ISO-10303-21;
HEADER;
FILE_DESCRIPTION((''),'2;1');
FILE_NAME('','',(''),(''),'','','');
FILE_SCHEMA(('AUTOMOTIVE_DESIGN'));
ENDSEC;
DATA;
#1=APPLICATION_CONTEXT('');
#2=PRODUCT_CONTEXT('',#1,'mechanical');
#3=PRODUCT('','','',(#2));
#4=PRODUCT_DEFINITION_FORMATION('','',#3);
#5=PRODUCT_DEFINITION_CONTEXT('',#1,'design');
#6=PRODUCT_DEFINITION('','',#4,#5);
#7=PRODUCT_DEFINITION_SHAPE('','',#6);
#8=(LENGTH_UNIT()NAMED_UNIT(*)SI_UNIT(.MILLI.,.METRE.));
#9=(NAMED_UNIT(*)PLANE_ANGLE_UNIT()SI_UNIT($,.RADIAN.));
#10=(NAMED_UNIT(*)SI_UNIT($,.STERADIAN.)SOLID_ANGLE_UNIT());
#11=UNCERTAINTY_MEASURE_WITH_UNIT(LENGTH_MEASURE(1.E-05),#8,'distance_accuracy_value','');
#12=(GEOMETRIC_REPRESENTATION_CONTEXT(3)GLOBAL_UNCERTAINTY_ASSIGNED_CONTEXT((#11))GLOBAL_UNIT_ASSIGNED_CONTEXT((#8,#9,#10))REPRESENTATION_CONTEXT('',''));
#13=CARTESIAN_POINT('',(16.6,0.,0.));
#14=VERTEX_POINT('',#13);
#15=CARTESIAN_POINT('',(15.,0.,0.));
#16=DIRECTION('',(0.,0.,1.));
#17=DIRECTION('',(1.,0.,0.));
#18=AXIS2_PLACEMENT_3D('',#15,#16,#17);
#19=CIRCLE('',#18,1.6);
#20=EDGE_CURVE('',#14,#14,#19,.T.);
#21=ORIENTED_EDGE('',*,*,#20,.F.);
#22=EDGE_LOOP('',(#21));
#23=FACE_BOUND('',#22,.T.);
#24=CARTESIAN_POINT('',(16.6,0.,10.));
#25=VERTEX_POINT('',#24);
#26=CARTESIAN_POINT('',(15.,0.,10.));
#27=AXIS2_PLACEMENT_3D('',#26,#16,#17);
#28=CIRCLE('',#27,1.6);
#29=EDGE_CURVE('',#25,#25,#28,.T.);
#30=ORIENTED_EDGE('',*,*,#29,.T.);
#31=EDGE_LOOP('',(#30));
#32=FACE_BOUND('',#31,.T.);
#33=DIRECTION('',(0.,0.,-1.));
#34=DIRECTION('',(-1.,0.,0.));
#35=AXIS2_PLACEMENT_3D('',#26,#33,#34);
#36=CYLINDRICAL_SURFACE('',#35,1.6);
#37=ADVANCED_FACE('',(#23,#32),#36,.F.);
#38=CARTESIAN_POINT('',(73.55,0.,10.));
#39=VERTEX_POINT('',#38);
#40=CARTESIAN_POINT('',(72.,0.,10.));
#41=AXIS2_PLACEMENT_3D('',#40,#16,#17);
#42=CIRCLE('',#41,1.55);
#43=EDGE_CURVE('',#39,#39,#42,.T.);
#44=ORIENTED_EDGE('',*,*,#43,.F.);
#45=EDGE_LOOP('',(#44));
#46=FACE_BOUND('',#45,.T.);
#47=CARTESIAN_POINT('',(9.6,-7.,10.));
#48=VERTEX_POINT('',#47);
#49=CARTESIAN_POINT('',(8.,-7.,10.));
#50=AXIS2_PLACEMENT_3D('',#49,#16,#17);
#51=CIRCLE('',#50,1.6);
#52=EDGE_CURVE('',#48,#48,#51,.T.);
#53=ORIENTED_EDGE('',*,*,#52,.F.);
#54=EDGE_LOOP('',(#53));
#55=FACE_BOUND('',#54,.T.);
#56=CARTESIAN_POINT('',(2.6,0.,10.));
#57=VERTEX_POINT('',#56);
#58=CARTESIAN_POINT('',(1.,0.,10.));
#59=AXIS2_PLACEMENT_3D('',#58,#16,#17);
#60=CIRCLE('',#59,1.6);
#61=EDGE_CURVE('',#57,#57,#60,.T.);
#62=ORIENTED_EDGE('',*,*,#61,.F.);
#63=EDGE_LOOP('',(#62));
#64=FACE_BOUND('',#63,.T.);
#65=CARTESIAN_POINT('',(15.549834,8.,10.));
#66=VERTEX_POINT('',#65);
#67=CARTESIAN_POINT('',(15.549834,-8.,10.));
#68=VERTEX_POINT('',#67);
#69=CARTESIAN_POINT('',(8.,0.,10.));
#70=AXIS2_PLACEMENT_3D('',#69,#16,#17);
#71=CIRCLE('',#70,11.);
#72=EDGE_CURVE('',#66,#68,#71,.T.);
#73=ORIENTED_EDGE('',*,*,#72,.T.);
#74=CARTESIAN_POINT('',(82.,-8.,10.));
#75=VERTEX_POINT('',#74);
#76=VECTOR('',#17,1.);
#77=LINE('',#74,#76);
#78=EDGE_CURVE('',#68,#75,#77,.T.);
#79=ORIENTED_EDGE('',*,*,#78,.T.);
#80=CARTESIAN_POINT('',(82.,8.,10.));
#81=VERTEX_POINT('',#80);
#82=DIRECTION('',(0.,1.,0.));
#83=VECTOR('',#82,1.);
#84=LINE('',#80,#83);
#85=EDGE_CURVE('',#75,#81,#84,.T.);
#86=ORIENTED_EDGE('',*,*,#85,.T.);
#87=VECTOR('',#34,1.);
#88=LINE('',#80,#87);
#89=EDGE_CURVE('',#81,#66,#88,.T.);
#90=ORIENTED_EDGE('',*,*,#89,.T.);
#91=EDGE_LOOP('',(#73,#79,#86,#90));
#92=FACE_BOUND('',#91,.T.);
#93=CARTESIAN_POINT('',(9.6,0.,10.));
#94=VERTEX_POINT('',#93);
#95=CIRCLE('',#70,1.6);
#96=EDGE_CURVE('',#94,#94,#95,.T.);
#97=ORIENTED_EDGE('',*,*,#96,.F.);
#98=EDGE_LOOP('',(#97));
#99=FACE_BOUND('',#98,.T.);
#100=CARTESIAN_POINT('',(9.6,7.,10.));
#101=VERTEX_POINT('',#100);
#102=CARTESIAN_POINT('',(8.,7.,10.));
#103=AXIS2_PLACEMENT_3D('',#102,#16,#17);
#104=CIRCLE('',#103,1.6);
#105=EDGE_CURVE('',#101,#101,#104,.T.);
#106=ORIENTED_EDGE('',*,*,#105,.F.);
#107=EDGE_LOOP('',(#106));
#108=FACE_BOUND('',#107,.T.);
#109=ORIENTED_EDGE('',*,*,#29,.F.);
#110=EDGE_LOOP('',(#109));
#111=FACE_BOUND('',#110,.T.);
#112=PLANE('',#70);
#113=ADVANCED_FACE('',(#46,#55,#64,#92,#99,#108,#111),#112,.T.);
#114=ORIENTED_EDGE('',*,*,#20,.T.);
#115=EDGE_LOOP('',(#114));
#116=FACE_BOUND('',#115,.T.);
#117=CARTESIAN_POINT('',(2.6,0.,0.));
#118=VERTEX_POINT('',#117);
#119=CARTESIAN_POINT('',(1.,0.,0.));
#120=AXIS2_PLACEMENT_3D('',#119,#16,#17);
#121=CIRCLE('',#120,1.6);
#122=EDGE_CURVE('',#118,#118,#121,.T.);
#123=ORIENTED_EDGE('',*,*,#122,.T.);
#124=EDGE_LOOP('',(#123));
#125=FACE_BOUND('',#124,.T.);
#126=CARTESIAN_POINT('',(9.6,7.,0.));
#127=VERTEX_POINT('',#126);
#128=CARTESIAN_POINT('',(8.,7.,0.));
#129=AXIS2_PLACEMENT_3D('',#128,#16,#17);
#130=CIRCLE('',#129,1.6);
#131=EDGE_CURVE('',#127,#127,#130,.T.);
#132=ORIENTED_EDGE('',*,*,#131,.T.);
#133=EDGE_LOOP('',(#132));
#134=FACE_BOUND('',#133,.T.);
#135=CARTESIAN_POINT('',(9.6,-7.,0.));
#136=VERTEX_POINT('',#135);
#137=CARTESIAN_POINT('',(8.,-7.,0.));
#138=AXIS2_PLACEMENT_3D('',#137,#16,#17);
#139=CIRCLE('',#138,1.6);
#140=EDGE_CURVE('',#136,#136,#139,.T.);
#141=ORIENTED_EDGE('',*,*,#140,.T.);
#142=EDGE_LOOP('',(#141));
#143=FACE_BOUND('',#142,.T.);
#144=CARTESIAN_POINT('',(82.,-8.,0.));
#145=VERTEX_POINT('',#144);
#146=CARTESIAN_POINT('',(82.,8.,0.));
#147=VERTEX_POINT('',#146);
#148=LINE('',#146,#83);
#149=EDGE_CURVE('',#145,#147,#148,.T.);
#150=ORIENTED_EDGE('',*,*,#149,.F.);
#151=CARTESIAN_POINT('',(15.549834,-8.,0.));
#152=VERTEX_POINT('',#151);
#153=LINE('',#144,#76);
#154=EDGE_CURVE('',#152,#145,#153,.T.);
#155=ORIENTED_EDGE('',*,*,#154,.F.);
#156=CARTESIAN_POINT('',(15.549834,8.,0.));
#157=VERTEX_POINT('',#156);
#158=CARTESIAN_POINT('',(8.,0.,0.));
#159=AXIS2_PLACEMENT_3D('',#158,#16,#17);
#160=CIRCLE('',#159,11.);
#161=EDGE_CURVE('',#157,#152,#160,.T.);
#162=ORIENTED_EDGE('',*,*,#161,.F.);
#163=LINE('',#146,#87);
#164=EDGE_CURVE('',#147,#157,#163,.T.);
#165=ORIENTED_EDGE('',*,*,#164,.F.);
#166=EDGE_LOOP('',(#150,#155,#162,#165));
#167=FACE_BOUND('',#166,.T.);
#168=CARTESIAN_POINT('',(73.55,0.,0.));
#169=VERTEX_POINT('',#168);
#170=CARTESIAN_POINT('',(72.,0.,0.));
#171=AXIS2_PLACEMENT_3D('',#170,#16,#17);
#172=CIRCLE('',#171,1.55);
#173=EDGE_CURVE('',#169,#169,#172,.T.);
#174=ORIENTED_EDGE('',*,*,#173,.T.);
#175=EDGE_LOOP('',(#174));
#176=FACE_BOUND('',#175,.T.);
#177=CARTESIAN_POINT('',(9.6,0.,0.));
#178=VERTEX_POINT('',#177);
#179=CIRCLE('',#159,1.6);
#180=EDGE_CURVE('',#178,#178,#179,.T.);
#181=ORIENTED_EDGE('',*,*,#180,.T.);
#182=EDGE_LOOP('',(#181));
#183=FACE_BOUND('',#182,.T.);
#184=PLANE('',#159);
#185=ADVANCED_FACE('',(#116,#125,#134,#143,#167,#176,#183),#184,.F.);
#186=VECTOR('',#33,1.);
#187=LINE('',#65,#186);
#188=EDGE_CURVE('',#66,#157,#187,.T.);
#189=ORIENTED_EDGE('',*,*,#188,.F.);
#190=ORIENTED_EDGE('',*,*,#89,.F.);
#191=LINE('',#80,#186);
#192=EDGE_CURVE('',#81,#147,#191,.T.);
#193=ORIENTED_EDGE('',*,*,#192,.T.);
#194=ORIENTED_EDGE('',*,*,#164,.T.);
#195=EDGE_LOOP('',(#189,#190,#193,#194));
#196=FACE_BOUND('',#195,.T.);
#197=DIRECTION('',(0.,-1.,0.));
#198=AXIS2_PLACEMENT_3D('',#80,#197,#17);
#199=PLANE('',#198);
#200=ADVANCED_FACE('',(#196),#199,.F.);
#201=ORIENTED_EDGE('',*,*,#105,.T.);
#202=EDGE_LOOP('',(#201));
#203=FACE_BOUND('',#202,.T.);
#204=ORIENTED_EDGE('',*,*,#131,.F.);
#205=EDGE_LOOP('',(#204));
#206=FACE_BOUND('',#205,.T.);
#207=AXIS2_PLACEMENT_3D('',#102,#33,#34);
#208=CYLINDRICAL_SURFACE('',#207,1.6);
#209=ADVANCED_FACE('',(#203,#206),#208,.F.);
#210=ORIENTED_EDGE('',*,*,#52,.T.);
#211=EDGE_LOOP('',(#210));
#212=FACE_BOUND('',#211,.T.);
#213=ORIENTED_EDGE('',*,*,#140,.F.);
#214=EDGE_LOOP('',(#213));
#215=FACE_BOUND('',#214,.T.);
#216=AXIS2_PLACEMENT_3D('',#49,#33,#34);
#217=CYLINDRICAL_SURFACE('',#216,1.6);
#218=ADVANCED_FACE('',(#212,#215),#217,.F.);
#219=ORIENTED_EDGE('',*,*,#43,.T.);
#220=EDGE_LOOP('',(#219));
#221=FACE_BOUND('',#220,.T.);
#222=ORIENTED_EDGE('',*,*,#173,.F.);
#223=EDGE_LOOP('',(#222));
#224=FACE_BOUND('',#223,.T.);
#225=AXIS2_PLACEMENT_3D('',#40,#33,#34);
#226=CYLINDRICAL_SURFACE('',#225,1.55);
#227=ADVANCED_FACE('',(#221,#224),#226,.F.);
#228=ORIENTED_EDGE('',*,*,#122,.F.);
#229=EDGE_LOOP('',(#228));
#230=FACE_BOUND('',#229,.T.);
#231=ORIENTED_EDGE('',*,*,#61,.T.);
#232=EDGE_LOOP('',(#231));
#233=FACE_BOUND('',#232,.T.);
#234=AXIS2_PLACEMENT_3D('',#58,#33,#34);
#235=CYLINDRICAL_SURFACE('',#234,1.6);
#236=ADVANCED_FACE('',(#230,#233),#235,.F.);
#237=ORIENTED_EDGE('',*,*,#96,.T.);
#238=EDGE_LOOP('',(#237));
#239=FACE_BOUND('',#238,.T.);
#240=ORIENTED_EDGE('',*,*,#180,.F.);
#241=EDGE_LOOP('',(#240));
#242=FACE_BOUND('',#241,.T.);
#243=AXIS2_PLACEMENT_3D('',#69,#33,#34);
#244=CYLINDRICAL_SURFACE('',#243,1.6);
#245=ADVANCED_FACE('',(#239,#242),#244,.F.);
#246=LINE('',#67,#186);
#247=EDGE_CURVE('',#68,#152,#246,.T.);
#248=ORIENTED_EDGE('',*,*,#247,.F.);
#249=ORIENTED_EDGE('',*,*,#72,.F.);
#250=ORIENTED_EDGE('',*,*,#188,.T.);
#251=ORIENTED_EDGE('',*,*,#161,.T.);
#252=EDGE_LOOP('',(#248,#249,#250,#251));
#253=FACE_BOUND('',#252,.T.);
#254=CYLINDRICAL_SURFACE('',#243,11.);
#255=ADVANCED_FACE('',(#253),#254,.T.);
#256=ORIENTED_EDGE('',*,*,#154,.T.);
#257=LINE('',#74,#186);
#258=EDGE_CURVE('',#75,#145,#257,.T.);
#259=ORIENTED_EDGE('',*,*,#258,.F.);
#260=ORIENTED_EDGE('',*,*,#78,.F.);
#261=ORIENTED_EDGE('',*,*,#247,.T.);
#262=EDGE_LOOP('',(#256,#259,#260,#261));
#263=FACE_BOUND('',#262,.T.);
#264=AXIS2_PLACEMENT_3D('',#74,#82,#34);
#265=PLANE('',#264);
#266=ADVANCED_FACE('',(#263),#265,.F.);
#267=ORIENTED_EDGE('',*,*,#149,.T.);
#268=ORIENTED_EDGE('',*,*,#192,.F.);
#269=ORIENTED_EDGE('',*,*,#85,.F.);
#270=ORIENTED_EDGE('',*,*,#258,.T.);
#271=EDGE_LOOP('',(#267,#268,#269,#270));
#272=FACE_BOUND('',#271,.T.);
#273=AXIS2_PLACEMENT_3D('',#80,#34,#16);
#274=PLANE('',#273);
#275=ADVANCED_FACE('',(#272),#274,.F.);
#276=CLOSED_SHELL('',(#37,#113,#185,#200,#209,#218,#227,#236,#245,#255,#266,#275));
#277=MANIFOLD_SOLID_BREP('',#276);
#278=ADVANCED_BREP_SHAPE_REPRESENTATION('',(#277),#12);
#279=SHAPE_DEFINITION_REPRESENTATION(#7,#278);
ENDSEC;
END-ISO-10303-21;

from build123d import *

# Parameters (mm, degrees)
SKETCH1_R           = 1.6
SKETCH1_R_2         = 1.55
BOSS_EXTRUDE1_DEPTH = 10


with BuildPart() as part:
    # Sketch1 → Boss-Extrude1 (new body)
    with BuildSketch(Plane.XY):
        with BuildLine():
            Line((82, 8), (82, -8))
            Line((82, -8), (15.549834435, -8))
            ThreePointArc((15.549834435, -8), (-3, 0), (15.549834435, 8))
            Line((15.549834435, 8), (82, 8))
        make_face()
        with Locations((8, 7)):
            Circle(SKETCH1_R, mode=Mode.SUBTRACT)
        with Locations((1, 0)):
            Circle(SKETCH1_R, mode=Mode.SUBTRACT)
        with Locations((8, -7)):
            Circle(SKETCH1_R, mode=Mode.SUBTRACT)
        with Locations((15, 0)):
            Circle(SKETCH1_R, mode=Mode.SUBTRACT)
        with Locations((8, 0)):
            Circle(SKETCH1_R, mode=Mode.SUBTRACT)
        with Locations((72, 0)):
            Circle(SKETCH1_R_2, mode=Mode.SUBTRACT)
    extrude(amount=BOSS_EXTRUDE1_DEPTH)


solid = part.part
